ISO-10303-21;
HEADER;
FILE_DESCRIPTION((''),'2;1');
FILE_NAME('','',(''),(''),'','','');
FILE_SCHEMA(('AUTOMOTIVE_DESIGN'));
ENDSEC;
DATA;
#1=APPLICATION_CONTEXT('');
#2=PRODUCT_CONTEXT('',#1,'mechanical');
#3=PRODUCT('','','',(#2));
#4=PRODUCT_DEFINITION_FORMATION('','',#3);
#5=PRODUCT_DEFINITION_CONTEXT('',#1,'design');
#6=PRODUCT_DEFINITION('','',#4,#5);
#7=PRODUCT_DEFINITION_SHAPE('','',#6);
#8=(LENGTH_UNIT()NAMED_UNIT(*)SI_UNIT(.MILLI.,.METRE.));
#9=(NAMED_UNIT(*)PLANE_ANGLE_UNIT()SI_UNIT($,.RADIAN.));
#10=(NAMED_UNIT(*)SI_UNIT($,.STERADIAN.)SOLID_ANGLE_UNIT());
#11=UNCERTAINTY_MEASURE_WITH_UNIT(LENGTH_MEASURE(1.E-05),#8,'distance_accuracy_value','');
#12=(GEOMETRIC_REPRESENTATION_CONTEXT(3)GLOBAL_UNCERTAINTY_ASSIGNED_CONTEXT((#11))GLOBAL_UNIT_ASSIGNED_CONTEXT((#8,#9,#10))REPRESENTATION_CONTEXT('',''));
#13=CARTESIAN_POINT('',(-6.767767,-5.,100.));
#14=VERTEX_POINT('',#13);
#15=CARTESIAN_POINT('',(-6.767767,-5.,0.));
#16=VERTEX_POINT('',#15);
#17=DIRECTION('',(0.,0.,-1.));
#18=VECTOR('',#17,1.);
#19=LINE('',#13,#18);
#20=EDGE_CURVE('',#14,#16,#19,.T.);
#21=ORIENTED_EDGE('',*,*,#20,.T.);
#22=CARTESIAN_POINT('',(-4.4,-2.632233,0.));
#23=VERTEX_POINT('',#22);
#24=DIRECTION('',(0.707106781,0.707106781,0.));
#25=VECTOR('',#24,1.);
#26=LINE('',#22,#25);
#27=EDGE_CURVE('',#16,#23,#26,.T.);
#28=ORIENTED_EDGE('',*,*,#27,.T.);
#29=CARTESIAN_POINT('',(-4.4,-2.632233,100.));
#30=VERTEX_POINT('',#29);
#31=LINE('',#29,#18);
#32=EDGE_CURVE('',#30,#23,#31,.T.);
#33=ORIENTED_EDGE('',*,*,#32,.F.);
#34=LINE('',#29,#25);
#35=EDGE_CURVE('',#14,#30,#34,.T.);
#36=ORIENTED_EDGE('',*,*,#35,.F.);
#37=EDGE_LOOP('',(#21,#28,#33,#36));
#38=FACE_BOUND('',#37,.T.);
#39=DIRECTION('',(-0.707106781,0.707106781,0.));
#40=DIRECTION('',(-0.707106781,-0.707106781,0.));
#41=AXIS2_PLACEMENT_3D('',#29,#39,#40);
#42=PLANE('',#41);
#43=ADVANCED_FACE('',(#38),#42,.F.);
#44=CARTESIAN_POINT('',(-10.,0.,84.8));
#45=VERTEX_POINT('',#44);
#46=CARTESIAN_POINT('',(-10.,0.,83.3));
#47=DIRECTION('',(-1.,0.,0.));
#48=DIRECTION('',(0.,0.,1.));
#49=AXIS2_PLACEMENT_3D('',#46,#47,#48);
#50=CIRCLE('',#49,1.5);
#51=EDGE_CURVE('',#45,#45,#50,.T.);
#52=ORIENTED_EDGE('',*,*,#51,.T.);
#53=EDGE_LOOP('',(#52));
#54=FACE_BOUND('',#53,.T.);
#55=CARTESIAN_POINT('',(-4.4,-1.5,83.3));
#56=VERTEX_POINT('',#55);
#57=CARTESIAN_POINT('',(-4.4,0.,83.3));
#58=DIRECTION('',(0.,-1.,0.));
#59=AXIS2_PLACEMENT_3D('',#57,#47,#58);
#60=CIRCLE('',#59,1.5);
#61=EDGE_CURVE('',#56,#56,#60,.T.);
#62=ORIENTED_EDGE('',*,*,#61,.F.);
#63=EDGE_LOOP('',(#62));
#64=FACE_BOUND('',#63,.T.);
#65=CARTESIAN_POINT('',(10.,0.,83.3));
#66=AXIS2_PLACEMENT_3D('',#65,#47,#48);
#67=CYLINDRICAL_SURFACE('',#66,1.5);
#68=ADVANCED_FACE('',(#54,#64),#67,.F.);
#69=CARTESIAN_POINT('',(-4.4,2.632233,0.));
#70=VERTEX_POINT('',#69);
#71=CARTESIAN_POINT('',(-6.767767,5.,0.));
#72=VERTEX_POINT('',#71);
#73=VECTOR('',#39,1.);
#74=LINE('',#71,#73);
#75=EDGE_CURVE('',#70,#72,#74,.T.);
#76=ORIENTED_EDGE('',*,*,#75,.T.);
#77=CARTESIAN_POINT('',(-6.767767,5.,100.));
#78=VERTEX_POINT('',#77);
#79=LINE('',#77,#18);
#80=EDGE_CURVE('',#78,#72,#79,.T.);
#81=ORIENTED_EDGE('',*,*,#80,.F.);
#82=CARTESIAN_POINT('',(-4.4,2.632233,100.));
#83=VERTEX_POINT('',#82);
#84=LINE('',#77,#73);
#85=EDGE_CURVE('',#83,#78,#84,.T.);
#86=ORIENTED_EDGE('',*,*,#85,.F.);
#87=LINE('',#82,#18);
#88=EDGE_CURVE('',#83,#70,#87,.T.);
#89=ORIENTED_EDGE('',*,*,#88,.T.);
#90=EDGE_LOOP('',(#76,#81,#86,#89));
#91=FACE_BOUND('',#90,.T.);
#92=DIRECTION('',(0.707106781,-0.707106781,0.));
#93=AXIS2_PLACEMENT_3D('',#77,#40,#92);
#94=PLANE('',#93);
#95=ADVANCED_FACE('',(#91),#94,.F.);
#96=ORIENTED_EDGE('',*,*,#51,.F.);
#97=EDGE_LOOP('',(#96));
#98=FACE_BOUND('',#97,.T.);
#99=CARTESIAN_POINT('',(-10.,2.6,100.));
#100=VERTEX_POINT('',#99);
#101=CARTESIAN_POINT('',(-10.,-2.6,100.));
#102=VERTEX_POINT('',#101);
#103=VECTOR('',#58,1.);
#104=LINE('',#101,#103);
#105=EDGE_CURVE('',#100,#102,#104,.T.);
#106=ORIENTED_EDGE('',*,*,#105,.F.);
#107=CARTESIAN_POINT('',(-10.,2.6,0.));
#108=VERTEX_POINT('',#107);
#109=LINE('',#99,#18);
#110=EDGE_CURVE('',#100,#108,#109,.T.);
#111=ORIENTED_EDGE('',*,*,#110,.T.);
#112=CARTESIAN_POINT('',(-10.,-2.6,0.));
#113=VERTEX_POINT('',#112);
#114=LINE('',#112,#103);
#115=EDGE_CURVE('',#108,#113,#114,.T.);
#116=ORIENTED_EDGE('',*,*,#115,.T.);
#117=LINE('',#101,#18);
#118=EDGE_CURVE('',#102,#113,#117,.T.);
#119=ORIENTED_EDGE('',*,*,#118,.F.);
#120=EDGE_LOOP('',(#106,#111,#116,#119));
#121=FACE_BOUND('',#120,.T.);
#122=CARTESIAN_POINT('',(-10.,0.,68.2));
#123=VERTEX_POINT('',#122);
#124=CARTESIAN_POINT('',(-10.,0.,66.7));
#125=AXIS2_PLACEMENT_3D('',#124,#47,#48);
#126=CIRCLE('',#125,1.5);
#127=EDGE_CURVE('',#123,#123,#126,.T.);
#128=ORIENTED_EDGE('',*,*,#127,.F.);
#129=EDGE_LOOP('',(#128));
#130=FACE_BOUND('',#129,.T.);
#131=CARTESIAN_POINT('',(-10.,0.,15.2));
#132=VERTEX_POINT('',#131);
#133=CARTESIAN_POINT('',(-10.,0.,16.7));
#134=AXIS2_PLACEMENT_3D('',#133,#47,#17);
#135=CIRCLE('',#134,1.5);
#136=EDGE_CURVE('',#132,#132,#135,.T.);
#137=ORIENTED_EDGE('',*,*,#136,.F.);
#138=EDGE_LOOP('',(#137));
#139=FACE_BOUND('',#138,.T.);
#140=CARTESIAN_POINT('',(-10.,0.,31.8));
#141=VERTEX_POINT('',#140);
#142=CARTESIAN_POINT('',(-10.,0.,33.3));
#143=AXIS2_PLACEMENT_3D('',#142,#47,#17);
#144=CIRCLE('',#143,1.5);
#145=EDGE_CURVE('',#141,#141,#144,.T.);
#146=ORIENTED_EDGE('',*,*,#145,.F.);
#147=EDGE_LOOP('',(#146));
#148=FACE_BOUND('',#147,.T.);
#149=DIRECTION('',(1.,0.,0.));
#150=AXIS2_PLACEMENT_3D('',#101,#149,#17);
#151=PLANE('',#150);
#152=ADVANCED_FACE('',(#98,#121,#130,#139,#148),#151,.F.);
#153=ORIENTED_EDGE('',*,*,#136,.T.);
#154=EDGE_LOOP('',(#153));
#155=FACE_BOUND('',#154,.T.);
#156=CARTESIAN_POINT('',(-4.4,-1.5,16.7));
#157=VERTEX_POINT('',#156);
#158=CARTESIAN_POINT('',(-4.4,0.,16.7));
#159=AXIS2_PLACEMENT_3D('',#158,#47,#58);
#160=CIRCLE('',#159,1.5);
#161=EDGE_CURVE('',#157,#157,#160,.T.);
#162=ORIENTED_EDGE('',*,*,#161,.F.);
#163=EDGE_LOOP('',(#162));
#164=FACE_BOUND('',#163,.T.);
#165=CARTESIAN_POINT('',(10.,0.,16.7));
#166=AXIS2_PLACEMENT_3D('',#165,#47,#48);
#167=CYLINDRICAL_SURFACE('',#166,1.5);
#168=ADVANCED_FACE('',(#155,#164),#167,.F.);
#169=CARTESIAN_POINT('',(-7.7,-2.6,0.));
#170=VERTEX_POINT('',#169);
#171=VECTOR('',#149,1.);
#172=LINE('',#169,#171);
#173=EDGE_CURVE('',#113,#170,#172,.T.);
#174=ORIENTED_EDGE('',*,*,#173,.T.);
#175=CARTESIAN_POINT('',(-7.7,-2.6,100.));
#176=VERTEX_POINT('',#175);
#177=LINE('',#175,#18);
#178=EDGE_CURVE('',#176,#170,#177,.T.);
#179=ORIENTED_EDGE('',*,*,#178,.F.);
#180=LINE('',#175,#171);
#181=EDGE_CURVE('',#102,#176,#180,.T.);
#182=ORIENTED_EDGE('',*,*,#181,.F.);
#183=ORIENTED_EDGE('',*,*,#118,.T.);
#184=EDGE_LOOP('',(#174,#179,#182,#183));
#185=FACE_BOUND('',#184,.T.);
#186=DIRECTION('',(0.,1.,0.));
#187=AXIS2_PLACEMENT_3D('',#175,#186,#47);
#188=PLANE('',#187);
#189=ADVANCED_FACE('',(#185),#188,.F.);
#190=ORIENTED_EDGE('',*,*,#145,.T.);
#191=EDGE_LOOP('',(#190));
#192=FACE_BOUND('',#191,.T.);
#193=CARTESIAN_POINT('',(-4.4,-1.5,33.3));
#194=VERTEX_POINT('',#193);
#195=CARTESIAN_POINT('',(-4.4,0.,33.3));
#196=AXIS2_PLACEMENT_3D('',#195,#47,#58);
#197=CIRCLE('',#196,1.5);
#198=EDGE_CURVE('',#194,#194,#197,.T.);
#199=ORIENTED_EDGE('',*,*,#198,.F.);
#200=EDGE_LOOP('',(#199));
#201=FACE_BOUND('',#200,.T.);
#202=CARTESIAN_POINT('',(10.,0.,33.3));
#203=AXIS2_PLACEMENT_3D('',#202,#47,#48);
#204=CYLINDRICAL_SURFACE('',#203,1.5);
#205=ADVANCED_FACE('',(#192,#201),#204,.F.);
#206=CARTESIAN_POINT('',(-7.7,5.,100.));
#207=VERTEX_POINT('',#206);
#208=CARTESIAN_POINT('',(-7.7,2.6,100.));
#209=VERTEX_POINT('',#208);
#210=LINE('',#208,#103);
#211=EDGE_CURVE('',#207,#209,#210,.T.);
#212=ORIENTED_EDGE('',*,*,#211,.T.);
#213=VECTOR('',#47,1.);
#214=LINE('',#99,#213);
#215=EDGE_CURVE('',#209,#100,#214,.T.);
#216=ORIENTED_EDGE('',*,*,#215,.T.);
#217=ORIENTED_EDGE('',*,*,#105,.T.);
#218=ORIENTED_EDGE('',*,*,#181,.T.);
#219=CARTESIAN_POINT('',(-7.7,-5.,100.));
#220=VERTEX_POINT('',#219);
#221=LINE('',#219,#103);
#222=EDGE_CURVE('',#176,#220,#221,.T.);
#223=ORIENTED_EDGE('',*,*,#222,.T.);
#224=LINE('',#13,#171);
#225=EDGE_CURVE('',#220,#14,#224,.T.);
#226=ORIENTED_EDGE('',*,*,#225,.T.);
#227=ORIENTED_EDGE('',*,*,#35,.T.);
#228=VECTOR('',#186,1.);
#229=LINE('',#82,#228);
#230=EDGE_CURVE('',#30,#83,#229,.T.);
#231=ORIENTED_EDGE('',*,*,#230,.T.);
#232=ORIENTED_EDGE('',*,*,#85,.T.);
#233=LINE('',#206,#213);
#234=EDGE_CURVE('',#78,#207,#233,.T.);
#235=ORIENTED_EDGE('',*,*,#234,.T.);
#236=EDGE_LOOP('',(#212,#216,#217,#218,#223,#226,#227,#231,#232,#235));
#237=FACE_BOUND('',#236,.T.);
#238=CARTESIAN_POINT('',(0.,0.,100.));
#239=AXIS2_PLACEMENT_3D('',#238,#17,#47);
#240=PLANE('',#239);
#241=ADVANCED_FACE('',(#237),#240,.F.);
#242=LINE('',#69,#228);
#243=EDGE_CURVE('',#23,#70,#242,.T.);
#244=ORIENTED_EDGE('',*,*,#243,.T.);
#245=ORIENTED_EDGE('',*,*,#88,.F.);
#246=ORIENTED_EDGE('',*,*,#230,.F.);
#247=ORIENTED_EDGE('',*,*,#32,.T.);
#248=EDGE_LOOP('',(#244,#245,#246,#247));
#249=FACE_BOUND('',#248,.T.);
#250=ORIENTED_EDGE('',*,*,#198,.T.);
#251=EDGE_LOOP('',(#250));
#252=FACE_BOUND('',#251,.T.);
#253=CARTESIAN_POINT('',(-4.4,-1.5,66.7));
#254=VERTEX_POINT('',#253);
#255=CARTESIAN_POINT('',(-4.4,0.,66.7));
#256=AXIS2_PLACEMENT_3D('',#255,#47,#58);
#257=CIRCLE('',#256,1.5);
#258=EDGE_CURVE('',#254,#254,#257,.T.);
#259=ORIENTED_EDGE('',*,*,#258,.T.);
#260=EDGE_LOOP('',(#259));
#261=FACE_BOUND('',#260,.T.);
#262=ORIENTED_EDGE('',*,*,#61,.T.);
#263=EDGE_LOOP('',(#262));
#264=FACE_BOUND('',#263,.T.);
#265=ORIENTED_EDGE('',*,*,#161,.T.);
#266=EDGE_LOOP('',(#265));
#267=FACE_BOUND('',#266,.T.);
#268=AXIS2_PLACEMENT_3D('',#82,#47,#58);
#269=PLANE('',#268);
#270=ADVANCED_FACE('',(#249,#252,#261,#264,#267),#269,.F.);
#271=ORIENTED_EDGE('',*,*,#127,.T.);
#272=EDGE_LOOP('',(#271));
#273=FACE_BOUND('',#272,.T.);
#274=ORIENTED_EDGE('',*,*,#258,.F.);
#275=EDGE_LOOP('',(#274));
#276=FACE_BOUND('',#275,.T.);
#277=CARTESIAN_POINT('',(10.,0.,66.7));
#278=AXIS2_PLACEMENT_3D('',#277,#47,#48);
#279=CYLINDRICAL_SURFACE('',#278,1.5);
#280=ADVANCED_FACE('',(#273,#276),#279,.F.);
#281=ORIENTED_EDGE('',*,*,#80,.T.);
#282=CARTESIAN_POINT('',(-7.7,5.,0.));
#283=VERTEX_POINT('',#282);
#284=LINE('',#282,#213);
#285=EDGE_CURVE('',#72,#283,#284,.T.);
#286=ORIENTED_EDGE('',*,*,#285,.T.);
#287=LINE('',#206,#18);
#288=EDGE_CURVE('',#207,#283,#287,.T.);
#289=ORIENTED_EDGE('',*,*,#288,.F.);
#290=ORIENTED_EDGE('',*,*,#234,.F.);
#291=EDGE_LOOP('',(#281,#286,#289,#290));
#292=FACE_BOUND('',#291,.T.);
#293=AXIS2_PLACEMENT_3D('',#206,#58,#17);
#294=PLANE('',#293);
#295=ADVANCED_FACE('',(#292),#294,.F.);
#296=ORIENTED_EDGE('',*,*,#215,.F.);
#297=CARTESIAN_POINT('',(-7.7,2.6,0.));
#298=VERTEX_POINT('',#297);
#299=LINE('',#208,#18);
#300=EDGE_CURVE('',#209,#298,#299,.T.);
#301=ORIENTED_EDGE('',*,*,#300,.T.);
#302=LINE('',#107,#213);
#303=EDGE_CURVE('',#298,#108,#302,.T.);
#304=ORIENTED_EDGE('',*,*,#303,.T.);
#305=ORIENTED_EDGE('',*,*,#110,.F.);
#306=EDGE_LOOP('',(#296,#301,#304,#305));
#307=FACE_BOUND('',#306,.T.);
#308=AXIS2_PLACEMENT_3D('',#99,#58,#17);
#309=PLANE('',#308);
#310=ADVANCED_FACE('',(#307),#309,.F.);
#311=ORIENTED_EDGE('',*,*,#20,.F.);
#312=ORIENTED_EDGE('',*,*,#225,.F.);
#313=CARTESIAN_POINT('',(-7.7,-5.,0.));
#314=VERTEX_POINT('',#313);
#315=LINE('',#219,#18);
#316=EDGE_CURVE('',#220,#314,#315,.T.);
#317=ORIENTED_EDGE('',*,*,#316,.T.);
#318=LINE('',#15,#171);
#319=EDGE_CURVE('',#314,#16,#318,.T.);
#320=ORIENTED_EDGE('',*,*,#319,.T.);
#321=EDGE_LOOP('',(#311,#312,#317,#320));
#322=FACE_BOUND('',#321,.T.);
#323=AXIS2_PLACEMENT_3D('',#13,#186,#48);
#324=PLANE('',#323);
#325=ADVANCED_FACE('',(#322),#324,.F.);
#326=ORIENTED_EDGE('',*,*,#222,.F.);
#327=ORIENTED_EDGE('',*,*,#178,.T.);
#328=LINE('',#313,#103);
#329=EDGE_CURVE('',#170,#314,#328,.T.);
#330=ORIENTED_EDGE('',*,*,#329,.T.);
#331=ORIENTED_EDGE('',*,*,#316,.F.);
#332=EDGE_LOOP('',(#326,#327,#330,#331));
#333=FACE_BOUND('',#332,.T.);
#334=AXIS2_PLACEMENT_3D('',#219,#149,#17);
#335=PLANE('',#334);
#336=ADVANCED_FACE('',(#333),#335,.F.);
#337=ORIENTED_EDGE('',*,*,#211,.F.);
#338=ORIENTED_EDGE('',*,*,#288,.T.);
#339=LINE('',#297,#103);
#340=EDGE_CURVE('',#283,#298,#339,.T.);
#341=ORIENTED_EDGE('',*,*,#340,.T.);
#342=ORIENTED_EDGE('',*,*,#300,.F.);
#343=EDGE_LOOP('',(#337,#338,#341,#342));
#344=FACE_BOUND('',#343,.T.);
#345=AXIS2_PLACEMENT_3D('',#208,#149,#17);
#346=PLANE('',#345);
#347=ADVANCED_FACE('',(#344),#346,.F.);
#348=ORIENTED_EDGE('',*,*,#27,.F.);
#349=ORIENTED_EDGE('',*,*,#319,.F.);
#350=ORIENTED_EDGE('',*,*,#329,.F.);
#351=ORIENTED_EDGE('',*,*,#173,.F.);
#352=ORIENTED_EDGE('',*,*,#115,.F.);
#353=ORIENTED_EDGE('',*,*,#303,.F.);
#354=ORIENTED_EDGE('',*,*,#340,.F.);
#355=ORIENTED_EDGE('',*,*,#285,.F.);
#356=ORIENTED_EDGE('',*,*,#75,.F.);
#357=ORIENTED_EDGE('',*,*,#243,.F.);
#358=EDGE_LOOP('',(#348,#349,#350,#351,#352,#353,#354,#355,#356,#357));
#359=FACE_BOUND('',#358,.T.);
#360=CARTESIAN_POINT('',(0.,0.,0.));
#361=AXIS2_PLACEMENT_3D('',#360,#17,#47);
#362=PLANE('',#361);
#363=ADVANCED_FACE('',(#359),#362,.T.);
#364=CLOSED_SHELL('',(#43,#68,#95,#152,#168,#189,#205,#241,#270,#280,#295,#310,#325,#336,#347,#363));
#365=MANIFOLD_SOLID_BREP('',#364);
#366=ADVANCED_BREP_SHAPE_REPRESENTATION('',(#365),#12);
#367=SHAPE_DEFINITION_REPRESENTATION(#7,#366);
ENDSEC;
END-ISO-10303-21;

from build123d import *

# Parameters (mm, degrees)
BOSS_EXTRUDE1_DEPTH = 100
SKETCH2_R           = 1.5
CUT_EXTRUDE1_DEPTH  = 20


with BuildPart() as part:
    # Sketch1 → Boss-Extrude1 (new body)
    with BuildSketch(Plane.XY):
        Polygon((-10, 2.6), (-7.7, 2.6), (-7.7, 5), (-6.767766953, 5), (-4.4, 2.632233047), (-4.4, -2.632233047), (-6.767766953, -5), (-7.7, -5), (-7.7, -2.6), (-10, -2.6), align=None)
    extrude(amount=BOSS_EXTRUDE1_DEPTH)

    # Sketch2 → Cut-Extrude1 (cut)
    with BuildSketch(Plane.ZY.offset(10)):
        with Locations((83.3, 0)):
            Circle(SKETCH2_R)
        with Locations((66.7, 0)):
            Circle(SKETCH2_R)
        with Locations(Location((16.7, 0, 0), (0, 0, 270))):
            Circle(SKETCH2_R)
        with Locations(Location((33.3, 0, 0), (0, 0, 270))):
            Circle(SKETCH2_R)
    extrude(amount=-CUT_EXTRUDE1_DEPTH, mode=Mode.SUBTRACT)


solid = part.part
